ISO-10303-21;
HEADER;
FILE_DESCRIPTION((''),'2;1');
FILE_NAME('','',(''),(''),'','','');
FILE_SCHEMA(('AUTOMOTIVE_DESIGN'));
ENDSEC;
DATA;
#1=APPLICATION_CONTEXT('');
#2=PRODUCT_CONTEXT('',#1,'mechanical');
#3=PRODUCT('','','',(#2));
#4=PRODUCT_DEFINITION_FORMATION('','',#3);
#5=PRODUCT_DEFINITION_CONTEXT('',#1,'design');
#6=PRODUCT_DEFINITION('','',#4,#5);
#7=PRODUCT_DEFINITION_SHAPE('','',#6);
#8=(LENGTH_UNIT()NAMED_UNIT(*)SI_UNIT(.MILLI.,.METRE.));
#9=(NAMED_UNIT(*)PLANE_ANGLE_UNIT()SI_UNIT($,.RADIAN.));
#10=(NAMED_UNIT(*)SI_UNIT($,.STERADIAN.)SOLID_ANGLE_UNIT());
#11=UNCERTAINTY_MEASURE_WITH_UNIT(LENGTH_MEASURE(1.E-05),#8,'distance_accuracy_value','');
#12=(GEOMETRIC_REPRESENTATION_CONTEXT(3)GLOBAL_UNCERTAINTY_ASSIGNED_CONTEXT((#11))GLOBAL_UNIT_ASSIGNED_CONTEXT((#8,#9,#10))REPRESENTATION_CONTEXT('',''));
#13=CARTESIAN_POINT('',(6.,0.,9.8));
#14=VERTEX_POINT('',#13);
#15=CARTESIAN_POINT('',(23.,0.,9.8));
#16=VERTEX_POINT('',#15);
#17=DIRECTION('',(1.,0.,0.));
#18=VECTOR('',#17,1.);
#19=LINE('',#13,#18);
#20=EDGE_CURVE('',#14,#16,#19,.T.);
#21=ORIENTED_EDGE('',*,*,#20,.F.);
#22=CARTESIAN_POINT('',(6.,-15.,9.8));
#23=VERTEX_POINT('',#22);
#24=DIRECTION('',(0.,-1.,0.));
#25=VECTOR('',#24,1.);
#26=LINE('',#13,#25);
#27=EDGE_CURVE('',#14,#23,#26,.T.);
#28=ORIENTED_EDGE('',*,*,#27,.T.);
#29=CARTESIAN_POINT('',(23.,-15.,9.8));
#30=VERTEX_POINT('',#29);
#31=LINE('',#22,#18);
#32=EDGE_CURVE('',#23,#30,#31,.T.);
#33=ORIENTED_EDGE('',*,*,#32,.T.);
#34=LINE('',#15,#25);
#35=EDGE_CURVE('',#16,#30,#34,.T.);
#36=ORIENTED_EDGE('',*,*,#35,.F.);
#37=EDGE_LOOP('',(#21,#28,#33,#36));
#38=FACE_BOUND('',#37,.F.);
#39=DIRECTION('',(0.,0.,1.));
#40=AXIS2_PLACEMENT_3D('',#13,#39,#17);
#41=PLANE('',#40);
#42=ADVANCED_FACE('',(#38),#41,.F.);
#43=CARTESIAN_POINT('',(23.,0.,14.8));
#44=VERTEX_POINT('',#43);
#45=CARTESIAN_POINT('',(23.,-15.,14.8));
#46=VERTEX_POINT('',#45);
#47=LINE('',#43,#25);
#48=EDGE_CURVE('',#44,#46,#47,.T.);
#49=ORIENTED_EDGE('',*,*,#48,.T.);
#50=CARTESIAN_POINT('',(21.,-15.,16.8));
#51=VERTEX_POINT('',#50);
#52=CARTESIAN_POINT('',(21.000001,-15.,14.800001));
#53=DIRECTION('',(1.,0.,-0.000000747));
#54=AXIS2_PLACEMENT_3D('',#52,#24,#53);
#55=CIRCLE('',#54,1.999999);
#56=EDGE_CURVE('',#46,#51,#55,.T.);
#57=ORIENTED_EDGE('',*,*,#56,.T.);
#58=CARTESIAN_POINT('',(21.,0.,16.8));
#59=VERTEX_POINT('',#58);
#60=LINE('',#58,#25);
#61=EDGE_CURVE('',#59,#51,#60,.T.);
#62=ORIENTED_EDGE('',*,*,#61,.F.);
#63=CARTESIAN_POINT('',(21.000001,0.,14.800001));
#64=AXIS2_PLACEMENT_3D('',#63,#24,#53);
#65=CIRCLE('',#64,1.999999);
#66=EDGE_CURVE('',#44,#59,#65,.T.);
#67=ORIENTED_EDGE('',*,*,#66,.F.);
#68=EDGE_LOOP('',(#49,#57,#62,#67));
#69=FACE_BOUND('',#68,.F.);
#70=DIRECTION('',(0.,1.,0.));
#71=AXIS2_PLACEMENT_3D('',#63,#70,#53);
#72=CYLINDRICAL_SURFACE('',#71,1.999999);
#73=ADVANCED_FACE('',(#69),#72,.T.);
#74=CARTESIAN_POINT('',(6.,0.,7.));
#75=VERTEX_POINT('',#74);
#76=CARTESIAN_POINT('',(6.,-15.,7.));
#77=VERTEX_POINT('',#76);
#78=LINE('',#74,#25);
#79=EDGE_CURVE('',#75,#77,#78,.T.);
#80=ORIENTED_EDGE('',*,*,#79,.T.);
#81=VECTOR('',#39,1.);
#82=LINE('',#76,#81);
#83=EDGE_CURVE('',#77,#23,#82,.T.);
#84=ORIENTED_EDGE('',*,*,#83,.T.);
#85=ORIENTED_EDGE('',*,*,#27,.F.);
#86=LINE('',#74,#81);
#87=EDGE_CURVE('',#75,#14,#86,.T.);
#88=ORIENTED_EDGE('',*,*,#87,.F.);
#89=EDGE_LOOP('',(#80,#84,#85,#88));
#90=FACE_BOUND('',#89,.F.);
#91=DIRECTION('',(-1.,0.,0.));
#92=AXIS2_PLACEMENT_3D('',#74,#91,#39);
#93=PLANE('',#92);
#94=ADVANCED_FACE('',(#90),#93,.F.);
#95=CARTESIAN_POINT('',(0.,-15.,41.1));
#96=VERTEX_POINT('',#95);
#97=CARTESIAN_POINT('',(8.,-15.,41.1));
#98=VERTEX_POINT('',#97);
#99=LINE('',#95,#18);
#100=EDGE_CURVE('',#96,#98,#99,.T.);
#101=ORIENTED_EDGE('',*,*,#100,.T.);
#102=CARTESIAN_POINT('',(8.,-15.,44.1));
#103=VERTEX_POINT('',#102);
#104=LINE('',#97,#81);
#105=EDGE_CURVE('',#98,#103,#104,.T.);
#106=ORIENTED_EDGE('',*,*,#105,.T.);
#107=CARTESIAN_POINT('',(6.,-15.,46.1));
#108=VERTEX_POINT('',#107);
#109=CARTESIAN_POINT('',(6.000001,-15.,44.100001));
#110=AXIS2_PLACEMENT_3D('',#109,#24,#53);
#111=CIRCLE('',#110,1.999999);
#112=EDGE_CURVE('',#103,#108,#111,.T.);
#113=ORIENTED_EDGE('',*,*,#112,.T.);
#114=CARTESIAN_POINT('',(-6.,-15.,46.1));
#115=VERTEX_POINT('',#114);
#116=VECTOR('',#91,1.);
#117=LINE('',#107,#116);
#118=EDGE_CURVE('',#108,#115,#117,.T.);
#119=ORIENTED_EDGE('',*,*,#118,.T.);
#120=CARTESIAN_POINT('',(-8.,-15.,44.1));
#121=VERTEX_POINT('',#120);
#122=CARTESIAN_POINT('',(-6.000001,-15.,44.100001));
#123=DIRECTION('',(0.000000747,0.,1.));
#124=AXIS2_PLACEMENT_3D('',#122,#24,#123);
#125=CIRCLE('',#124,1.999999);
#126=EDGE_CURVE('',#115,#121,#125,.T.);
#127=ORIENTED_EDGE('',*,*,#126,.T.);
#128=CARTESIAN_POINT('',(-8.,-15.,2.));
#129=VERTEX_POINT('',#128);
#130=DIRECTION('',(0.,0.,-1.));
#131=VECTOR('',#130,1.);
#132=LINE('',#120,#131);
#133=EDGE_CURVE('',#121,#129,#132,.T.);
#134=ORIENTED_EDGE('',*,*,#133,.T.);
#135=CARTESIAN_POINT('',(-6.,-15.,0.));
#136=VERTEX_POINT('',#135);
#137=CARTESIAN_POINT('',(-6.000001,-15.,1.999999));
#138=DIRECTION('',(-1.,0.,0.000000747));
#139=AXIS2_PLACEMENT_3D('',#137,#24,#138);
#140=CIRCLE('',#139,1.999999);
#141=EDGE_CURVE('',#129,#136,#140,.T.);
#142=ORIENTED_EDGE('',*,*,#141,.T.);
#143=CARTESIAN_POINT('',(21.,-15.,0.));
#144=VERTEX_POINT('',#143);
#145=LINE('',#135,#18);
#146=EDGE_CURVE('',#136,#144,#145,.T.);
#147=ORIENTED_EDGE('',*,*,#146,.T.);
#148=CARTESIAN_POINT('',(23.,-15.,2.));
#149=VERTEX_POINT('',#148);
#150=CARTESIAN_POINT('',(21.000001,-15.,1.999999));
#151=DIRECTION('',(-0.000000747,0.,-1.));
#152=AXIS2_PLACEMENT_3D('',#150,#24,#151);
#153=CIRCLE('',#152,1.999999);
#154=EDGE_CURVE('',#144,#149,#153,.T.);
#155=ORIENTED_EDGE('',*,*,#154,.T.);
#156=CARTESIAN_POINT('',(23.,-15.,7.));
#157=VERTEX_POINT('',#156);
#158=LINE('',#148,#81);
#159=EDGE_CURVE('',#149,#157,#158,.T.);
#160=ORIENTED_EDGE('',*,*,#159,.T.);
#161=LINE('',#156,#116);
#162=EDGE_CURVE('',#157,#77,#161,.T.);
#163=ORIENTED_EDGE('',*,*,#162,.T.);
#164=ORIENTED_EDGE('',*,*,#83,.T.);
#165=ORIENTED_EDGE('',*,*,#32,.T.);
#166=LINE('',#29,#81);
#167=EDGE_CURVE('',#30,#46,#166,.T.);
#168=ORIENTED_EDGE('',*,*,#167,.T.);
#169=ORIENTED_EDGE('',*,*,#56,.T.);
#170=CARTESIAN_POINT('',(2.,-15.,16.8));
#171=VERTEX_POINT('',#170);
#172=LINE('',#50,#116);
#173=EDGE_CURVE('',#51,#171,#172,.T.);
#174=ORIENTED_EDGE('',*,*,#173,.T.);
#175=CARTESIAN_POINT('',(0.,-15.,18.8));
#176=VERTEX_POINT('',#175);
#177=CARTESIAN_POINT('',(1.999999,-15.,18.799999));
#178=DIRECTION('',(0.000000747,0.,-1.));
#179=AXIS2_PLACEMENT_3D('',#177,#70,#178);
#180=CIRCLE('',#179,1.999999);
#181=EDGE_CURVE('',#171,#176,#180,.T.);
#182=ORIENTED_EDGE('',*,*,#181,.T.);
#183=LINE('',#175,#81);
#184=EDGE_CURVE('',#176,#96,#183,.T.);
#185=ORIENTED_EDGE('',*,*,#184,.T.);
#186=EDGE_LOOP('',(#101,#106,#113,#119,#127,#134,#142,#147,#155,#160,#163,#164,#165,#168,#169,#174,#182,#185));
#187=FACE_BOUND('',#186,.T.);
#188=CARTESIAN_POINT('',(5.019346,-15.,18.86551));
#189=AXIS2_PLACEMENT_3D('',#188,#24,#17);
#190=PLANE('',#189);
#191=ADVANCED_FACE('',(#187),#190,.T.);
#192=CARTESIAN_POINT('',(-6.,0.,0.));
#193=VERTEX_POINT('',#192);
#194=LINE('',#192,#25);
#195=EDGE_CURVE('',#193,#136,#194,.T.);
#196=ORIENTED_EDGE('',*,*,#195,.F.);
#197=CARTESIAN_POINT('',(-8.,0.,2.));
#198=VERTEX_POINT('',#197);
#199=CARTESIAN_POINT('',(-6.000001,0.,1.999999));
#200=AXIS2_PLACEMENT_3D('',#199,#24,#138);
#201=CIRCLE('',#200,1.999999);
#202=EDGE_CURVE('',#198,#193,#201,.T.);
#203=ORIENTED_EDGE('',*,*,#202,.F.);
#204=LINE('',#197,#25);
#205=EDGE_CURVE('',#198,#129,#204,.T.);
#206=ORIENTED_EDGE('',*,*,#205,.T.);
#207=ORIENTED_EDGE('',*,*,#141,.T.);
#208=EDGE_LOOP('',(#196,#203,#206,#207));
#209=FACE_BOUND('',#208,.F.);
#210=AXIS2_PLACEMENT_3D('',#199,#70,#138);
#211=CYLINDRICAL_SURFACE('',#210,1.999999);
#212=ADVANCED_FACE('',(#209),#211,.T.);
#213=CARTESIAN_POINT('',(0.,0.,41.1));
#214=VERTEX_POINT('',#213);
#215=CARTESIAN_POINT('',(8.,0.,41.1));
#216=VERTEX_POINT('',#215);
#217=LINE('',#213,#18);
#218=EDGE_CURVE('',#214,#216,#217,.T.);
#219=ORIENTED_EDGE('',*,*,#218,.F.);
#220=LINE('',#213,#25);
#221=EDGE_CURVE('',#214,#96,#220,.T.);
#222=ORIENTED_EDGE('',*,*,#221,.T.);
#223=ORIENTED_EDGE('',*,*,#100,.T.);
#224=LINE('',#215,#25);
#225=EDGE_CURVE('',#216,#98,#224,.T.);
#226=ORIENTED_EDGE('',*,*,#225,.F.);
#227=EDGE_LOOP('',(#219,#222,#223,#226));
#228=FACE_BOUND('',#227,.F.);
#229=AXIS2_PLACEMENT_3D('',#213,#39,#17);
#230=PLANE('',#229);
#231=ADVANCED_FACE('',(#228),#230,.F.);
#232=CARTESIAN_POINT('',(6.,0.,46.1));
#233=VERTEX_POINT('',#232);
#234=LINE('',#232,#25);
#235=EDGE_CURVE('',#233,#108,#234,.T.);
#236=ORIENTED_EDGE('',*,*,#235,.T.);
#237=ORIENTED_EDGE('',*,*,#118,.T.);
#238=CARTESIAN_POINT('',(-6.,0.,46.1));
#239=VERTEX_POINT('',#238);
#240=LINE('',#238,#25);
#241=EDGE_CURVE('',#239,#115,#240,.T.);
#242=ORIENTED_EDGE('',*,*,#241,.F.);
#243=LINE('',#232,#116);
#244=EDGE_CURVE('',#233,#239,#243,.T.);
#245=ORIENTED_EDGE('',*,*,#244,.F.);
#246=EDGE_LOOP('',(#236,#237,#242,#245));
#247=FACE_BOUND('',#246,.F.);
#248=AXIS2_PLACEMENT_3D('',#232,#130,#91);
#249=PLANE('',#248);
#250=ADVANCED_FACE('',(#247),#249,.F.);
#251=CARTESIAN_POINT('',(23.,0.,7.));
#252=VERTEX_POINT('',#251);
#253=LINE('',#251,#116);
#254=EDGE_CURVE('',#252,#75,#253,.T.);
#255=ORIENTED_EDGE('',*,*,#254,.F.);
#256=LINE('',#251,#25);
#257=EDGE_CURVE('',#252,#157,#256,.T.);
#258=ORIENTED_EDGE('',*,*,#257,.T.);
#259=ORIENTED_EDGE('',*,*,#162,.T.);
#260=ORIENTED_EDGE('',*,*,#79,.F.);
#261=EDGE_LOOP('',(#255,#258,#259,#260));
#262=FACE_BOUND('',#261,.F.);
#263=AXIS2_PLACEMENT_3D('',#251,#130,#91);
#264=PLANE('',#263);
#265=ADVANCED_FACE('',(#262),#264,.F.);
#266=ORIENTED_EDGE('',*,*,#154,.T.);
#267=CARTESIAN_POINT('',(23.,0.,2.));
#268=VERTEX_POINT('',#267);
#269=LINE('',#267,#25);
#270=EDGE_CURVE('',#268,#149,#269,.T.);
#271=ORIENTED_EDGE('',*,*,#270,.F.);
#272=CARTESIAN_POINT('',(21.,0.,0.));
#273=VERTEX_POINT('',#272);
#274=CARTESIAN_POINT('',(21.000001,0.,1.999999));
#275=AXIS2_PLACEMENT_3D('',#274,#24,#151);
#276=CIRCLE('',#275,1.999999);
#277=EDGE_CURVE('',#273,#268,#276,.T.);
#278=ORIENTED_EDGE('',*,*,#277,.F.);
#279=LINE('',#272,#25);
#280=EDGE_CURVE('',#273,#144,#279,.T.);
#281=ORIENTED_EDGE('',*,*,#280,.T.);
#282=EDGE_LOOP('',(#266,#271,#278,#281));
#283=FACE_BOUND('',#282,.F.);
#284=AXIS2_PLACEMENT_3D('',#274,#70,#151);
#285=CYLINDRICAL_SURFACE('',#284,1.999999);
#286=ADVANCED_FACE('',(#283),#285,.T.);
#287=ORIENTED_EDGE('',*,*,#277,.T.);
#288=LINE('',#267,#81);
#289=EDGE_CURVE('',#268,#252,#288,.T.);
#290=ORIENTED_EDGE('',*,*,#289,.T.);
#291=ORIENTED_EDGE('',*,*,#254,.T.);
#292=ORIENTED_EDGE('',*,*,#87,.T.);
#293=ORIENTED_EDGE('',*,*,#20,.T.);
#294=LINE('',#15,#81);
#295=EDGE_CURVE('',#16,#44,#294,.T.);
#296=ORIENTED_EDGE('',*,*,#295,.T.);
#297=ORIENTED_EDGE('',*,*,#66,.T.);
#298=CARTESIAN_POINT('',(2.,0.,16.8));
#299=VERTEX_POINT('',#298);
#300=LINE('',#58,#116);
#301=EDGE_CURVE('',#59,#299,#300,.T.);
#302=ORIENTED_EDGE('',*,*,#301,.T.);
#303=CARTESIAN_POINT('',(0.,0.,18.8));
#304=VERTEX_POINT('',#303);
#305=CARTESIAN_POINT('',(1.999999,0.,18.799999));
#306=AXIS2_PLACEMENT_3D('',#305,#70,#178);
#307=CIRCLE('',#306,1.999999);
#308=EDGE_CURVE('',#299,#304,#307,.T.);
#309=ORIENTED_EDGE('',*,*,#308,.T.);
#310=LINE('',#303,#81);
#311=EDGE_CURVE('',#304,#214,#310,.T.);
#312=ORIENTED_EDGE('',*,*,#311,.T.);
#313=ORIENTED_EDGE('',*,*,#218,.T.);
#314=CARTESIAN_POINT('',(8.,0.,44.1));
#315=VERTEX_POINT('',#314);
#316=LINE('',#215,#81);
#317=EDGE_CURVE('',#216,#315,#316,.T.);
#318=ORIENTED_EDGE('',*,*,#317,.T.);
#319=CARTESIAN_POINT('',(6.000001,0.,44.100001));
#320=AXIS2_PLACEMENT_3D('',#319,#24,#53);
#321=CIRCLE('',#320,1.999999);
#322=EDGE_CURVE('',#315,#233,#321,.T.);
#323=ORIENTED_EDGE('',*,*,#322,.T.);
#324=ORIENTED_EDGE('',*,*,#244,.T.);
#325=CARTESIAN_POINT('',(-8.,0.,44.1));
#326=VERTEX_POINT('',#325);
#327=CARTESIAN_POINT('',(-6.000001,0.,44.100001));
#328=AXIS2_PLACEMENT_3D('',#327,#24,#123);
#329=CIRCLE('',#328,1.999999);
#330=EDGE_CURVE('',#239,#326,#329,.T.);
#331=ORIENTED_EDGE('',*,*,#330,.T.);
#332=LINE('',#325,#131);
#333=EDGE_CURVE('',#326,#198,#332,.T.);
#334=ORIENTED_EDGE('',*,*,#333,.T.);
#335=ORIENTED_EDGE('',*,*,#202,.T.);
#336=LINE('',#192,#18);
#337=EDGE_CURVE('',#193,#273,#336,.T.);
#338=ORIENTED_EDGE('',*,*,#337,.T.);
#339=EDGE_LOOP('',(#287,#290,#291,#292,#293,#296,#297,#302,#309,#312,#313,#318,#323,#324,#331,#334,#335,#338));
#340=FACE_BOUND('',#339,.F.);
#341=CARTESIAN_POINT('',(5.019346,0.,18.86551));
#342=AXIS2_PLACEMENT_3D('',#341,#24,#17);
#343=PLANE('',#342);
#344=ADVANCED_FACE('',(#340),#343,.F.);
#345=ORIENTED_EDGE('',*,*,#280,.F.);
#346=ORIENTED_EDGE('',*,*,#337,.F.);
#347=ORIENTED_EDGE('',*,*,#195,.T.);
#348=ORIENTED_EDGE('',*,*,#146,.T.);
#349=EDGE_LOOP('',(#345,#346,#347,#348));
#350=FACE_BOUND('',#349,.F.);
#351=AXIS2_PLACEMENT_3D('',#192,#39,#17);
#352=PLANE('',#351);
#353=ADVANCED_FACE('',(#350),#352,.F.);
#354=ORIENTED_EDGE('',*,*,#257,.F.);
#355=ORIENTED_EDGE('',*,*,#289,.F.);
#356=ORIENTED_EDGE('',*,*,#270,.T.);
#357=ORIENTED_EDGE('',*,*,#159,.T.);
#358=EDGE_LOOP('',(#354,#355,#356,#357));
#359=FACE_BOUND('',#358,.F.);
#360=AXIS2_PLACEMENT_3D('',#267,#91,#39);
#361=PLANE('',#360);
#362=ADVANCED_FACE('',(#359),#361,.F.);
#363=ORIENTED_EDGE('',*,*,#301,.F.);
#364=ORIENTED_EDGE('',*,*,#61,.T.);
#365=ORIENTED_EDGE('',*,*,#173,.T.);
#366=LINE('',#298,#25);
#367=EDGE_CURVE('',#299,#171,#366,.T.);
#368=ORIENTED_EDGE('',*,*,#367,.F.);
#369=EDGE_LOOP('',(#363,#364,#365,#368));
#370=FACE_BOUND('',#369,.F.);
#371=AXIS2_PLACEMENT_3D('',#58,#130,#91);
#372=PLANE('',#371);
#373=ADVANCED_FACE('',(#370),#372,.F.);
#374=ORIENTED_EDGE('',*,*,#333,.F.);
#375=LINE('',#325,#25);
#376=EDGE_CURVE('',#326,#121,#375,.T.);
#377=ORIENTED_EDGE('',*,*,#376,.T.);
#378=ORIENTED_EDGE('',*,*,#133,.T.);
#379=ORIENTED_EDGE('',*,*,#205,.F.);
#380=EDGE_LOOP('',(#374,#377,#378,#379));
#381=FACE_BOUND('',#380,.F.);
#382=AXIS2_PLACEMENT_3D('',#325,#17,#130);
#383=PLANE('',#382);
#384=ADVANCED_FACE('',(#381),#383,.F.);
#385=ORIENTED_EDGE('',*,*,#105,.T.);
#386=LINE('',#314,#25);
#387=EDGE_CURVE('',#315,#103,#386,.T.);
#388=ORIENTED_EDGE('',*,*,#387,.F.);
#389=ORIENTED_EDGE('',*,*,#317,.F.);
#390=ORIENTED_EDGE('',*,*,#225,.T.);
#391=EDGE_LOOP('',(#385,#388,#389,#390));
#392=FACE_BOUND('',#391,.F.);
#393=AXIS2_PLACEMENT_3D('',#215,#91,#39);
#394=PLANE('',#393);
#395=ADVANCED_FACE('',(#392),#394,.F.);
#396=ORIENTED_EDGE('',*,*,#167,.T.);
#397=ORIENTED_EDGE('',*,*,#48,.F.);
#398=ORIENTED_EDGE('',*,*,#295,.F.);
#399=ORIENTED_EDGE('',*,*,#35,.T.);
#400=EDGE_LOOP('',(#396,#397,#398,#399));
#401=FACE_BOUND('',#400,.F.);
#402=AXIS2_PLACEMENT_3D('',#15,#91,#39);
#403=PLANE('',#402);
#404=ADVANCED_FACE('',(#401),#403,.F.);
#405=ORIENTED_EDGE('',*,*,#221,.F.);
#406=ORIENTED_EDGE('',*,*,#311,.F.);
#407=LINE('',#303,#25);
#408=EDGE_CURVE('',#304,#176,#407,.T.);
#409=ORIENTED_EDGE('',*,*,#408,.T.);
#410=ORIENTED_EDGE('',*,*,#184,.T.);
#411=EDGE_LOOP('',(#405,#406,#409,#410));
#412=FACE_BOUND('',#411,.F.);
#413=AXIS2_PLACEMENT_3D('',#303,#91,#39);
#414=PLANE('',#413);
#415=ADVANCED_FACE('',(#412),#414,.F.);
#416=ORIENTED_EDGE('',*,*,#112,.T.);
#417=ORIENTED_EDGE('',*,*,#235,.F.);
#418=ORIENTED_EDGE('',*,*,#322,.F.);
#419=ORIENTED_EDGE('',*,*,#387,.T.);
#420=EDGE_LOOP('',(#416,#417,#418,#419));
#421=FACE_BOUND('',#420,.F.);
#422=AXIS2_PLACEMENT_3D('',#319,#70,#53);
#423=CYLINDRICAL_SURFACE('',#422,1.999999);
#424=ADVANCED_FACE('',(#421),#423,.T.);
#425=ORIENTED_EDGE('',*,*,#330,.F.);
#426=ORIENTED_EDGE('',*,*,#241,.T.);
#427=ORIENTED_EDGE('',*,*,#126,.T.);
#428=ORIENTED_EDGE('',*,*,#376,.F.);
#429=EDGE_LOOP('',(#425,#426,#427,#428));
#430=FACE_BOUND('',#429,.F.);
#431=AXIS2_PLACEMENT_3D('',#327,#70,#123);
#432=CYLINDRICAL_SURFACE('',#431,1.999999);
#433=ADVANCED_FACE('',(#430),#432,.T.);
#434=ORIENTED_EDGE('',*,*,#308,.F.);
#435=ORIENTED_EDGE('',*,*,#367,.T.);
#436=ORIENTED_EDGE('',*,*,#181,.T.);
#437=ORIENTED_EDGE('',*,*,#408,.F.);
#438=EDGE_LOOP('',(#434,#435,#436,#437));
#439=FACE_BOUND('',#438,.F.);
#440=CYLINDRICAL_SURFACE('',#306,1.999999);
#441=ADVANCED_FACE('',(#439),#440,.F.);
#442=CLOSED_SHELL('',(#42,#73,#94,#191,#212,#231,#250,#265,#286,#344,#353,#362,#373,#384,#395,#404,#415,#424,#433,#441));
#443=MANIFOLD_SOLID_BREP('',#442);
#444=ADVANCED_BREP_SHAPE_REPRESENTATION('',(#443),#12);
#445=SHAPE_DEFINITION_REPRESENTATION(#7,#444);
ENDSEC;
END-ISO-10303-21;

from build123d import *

# Parameters (mm, degrees)
F1_DEPTH = 15


with BuildPart() as f1:
    # F0 (on Front) → F1 (new body)
    with BuildSketch(Plane.XZ):
        with BuildLine():
            Line((-6, 0), (0, 0))
            Line((0, 0), (21, 0))
            ThreePointArc((21, 0), (22.414214, 0.585786), (23, 2))
            Line((23, 2), (23, 7))
            Line((23, 7), (6, 7))
            Line((6, 7), (6, 9.8))
            Line((6, 9.8), (23, 9.8))
            Line((23, 9.8), (23, 14.8))
            ThreePointArc((23, 14.8), (22.414214, 16.214214), (21, 16.8))
            Line((21, 16.8), (2, 16.8))
            ThreePointArc((2, 16.8), (0.585786, 17.385786), (0, 18.8))
            Line((0, 18.8), (0, 29.8))
            Line((0, 29.8), (0, 36.8))
            Line((0, 36.8), (0, 41.1))
            Line((0, 41.1), (8, 41.1))
            Line((8, 41.1), (8, 44.1))
            ThreePointArc((8, 44.1), (7.414214, 45.514214), (6, 46.1))
            Line((6, 46.1), (0, 46.1))
            Line((0, 46.1), (-6, 46.1))
            ThreePointArc((-6, 46.1), (-7.414214, 45.514214), (-8, 44.1))
            Line((-8, 44.1), (-8, 2))
            ThreePointArc((-8, 2), (-7.414214, 0.585786), (-6, 0))
        make_face()
    extrude(amount=F1_DEPTH)


solid = f1.part
